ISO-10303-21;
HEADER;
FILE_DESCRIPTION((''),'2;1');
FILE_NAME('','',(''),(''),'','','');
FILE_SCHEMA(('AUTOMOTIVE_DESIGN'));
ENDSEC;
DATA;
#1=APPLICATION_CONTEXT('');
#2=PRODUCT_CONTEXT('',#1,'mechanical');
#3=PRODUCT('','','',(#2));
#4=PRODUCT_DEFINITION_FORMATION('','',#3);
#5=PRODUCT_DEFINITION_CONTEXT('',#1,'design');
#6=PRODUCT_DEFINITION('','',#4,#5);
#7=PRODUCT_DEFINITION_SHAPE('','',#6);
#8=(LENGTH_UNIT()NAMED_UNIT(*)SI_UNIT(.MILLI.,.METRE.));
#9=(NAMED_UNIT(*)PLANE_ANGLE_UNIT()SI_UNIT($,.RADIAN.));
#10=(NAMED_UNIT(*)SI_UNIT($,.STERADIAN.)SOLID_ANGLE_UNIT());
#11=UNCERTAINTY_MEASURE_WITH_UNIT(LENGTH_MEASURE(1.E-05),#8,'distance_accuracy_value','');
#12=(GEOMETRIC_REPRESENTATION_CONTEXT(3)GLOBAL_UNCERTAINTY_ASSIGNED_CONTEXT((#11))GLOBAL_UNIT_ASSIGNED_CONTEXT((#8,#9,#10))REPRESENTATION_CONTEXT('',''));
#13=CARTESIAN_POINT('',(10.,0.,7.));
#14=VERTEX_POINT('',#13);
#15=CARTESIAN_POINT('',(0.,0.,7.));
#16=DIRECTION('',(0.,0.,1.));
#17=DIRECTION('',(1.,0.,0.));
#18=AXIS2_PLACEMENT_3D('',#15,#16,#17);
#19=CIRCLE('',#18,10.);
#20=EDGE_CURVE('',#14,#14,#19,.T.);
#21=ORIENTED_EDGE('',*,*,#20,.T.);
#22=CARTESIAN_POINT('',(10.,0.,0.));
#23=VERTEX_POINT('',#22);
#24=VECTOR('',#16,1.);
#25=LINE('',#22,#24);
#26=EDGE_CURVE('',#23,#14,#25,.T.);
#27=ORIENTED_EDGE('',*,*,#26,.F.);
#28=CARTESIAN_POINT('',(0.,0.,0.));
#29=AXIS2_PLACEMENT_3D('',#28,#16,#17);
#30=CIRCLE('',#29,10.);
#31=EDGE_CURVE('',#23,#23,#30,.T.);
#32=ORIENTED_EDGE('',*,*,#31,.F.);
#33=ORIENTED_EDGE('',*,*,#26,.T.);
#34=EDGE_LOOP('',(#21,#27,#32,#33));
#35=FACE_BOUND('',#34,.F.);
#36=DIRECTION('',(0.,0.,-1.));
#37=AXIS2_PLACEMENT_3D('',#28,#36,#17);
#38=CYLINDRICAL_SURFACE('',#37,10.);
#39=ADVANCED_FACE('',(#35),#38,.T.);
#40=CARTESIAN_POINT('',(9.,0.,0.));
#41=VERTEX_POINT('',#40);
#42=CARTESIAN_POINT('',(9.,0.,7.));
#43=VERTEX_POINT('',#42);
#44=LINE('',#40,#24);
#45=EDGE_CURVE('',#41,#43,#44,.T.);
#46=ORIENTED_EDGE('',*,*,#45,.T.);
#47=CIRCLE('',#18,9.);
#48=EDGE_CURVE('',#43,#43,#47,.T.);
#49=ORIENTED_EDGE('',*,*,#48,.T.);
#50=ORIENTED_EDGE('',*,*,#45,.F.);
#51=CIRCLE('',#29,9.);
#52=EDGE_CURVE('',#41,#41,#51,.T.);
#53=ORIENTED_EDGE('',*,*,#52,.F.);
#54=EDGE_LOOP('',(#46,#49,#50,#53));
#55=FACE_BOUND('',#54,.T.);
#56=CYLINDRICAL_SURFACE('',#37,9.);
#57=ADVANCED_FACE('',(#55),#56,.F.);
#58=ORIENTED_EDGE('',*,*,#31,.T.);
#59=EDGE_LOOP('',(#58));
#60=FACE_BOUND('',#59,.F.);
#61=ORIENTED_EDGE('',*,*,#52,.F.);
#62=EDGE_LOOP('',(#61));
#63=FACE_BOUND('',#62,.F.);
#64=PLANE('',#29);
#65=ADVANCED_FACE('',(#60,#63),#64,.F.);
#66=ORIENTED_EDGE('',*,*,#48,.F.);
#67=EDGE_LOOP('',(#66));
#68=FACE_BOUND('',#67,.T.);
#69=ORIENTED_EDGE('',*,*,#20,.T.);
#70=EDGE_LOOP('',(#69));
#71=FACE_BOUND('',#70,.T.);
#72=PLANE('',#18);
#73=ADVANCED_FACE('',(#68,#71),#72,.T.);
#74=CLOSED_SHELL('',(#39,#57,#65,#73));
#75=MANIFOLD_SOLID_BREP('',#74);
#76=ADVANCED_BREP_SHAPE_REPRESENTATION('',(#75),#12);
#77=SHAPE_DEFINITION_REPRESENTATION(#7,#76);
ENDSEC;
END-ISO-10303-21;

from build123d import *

# Parameters (mm, degrees)
SKETCH_2_R      = 10
SKETCH_2_R_2    = 9
EXTRUDE_1_DEPTH = 7


with BuildPart() as part:
    # 草图2 → 拉伸-薄壁1 (new body)
    with BuildSketch(Plane.XY):
        Circle(SKETCH_2_R)
        Circle(SKETCH_2_R_2, mode=Mode.SUBTRACT)
    extrude(amount=EXTRUDE_1_DEPTH)


solid = part.part
